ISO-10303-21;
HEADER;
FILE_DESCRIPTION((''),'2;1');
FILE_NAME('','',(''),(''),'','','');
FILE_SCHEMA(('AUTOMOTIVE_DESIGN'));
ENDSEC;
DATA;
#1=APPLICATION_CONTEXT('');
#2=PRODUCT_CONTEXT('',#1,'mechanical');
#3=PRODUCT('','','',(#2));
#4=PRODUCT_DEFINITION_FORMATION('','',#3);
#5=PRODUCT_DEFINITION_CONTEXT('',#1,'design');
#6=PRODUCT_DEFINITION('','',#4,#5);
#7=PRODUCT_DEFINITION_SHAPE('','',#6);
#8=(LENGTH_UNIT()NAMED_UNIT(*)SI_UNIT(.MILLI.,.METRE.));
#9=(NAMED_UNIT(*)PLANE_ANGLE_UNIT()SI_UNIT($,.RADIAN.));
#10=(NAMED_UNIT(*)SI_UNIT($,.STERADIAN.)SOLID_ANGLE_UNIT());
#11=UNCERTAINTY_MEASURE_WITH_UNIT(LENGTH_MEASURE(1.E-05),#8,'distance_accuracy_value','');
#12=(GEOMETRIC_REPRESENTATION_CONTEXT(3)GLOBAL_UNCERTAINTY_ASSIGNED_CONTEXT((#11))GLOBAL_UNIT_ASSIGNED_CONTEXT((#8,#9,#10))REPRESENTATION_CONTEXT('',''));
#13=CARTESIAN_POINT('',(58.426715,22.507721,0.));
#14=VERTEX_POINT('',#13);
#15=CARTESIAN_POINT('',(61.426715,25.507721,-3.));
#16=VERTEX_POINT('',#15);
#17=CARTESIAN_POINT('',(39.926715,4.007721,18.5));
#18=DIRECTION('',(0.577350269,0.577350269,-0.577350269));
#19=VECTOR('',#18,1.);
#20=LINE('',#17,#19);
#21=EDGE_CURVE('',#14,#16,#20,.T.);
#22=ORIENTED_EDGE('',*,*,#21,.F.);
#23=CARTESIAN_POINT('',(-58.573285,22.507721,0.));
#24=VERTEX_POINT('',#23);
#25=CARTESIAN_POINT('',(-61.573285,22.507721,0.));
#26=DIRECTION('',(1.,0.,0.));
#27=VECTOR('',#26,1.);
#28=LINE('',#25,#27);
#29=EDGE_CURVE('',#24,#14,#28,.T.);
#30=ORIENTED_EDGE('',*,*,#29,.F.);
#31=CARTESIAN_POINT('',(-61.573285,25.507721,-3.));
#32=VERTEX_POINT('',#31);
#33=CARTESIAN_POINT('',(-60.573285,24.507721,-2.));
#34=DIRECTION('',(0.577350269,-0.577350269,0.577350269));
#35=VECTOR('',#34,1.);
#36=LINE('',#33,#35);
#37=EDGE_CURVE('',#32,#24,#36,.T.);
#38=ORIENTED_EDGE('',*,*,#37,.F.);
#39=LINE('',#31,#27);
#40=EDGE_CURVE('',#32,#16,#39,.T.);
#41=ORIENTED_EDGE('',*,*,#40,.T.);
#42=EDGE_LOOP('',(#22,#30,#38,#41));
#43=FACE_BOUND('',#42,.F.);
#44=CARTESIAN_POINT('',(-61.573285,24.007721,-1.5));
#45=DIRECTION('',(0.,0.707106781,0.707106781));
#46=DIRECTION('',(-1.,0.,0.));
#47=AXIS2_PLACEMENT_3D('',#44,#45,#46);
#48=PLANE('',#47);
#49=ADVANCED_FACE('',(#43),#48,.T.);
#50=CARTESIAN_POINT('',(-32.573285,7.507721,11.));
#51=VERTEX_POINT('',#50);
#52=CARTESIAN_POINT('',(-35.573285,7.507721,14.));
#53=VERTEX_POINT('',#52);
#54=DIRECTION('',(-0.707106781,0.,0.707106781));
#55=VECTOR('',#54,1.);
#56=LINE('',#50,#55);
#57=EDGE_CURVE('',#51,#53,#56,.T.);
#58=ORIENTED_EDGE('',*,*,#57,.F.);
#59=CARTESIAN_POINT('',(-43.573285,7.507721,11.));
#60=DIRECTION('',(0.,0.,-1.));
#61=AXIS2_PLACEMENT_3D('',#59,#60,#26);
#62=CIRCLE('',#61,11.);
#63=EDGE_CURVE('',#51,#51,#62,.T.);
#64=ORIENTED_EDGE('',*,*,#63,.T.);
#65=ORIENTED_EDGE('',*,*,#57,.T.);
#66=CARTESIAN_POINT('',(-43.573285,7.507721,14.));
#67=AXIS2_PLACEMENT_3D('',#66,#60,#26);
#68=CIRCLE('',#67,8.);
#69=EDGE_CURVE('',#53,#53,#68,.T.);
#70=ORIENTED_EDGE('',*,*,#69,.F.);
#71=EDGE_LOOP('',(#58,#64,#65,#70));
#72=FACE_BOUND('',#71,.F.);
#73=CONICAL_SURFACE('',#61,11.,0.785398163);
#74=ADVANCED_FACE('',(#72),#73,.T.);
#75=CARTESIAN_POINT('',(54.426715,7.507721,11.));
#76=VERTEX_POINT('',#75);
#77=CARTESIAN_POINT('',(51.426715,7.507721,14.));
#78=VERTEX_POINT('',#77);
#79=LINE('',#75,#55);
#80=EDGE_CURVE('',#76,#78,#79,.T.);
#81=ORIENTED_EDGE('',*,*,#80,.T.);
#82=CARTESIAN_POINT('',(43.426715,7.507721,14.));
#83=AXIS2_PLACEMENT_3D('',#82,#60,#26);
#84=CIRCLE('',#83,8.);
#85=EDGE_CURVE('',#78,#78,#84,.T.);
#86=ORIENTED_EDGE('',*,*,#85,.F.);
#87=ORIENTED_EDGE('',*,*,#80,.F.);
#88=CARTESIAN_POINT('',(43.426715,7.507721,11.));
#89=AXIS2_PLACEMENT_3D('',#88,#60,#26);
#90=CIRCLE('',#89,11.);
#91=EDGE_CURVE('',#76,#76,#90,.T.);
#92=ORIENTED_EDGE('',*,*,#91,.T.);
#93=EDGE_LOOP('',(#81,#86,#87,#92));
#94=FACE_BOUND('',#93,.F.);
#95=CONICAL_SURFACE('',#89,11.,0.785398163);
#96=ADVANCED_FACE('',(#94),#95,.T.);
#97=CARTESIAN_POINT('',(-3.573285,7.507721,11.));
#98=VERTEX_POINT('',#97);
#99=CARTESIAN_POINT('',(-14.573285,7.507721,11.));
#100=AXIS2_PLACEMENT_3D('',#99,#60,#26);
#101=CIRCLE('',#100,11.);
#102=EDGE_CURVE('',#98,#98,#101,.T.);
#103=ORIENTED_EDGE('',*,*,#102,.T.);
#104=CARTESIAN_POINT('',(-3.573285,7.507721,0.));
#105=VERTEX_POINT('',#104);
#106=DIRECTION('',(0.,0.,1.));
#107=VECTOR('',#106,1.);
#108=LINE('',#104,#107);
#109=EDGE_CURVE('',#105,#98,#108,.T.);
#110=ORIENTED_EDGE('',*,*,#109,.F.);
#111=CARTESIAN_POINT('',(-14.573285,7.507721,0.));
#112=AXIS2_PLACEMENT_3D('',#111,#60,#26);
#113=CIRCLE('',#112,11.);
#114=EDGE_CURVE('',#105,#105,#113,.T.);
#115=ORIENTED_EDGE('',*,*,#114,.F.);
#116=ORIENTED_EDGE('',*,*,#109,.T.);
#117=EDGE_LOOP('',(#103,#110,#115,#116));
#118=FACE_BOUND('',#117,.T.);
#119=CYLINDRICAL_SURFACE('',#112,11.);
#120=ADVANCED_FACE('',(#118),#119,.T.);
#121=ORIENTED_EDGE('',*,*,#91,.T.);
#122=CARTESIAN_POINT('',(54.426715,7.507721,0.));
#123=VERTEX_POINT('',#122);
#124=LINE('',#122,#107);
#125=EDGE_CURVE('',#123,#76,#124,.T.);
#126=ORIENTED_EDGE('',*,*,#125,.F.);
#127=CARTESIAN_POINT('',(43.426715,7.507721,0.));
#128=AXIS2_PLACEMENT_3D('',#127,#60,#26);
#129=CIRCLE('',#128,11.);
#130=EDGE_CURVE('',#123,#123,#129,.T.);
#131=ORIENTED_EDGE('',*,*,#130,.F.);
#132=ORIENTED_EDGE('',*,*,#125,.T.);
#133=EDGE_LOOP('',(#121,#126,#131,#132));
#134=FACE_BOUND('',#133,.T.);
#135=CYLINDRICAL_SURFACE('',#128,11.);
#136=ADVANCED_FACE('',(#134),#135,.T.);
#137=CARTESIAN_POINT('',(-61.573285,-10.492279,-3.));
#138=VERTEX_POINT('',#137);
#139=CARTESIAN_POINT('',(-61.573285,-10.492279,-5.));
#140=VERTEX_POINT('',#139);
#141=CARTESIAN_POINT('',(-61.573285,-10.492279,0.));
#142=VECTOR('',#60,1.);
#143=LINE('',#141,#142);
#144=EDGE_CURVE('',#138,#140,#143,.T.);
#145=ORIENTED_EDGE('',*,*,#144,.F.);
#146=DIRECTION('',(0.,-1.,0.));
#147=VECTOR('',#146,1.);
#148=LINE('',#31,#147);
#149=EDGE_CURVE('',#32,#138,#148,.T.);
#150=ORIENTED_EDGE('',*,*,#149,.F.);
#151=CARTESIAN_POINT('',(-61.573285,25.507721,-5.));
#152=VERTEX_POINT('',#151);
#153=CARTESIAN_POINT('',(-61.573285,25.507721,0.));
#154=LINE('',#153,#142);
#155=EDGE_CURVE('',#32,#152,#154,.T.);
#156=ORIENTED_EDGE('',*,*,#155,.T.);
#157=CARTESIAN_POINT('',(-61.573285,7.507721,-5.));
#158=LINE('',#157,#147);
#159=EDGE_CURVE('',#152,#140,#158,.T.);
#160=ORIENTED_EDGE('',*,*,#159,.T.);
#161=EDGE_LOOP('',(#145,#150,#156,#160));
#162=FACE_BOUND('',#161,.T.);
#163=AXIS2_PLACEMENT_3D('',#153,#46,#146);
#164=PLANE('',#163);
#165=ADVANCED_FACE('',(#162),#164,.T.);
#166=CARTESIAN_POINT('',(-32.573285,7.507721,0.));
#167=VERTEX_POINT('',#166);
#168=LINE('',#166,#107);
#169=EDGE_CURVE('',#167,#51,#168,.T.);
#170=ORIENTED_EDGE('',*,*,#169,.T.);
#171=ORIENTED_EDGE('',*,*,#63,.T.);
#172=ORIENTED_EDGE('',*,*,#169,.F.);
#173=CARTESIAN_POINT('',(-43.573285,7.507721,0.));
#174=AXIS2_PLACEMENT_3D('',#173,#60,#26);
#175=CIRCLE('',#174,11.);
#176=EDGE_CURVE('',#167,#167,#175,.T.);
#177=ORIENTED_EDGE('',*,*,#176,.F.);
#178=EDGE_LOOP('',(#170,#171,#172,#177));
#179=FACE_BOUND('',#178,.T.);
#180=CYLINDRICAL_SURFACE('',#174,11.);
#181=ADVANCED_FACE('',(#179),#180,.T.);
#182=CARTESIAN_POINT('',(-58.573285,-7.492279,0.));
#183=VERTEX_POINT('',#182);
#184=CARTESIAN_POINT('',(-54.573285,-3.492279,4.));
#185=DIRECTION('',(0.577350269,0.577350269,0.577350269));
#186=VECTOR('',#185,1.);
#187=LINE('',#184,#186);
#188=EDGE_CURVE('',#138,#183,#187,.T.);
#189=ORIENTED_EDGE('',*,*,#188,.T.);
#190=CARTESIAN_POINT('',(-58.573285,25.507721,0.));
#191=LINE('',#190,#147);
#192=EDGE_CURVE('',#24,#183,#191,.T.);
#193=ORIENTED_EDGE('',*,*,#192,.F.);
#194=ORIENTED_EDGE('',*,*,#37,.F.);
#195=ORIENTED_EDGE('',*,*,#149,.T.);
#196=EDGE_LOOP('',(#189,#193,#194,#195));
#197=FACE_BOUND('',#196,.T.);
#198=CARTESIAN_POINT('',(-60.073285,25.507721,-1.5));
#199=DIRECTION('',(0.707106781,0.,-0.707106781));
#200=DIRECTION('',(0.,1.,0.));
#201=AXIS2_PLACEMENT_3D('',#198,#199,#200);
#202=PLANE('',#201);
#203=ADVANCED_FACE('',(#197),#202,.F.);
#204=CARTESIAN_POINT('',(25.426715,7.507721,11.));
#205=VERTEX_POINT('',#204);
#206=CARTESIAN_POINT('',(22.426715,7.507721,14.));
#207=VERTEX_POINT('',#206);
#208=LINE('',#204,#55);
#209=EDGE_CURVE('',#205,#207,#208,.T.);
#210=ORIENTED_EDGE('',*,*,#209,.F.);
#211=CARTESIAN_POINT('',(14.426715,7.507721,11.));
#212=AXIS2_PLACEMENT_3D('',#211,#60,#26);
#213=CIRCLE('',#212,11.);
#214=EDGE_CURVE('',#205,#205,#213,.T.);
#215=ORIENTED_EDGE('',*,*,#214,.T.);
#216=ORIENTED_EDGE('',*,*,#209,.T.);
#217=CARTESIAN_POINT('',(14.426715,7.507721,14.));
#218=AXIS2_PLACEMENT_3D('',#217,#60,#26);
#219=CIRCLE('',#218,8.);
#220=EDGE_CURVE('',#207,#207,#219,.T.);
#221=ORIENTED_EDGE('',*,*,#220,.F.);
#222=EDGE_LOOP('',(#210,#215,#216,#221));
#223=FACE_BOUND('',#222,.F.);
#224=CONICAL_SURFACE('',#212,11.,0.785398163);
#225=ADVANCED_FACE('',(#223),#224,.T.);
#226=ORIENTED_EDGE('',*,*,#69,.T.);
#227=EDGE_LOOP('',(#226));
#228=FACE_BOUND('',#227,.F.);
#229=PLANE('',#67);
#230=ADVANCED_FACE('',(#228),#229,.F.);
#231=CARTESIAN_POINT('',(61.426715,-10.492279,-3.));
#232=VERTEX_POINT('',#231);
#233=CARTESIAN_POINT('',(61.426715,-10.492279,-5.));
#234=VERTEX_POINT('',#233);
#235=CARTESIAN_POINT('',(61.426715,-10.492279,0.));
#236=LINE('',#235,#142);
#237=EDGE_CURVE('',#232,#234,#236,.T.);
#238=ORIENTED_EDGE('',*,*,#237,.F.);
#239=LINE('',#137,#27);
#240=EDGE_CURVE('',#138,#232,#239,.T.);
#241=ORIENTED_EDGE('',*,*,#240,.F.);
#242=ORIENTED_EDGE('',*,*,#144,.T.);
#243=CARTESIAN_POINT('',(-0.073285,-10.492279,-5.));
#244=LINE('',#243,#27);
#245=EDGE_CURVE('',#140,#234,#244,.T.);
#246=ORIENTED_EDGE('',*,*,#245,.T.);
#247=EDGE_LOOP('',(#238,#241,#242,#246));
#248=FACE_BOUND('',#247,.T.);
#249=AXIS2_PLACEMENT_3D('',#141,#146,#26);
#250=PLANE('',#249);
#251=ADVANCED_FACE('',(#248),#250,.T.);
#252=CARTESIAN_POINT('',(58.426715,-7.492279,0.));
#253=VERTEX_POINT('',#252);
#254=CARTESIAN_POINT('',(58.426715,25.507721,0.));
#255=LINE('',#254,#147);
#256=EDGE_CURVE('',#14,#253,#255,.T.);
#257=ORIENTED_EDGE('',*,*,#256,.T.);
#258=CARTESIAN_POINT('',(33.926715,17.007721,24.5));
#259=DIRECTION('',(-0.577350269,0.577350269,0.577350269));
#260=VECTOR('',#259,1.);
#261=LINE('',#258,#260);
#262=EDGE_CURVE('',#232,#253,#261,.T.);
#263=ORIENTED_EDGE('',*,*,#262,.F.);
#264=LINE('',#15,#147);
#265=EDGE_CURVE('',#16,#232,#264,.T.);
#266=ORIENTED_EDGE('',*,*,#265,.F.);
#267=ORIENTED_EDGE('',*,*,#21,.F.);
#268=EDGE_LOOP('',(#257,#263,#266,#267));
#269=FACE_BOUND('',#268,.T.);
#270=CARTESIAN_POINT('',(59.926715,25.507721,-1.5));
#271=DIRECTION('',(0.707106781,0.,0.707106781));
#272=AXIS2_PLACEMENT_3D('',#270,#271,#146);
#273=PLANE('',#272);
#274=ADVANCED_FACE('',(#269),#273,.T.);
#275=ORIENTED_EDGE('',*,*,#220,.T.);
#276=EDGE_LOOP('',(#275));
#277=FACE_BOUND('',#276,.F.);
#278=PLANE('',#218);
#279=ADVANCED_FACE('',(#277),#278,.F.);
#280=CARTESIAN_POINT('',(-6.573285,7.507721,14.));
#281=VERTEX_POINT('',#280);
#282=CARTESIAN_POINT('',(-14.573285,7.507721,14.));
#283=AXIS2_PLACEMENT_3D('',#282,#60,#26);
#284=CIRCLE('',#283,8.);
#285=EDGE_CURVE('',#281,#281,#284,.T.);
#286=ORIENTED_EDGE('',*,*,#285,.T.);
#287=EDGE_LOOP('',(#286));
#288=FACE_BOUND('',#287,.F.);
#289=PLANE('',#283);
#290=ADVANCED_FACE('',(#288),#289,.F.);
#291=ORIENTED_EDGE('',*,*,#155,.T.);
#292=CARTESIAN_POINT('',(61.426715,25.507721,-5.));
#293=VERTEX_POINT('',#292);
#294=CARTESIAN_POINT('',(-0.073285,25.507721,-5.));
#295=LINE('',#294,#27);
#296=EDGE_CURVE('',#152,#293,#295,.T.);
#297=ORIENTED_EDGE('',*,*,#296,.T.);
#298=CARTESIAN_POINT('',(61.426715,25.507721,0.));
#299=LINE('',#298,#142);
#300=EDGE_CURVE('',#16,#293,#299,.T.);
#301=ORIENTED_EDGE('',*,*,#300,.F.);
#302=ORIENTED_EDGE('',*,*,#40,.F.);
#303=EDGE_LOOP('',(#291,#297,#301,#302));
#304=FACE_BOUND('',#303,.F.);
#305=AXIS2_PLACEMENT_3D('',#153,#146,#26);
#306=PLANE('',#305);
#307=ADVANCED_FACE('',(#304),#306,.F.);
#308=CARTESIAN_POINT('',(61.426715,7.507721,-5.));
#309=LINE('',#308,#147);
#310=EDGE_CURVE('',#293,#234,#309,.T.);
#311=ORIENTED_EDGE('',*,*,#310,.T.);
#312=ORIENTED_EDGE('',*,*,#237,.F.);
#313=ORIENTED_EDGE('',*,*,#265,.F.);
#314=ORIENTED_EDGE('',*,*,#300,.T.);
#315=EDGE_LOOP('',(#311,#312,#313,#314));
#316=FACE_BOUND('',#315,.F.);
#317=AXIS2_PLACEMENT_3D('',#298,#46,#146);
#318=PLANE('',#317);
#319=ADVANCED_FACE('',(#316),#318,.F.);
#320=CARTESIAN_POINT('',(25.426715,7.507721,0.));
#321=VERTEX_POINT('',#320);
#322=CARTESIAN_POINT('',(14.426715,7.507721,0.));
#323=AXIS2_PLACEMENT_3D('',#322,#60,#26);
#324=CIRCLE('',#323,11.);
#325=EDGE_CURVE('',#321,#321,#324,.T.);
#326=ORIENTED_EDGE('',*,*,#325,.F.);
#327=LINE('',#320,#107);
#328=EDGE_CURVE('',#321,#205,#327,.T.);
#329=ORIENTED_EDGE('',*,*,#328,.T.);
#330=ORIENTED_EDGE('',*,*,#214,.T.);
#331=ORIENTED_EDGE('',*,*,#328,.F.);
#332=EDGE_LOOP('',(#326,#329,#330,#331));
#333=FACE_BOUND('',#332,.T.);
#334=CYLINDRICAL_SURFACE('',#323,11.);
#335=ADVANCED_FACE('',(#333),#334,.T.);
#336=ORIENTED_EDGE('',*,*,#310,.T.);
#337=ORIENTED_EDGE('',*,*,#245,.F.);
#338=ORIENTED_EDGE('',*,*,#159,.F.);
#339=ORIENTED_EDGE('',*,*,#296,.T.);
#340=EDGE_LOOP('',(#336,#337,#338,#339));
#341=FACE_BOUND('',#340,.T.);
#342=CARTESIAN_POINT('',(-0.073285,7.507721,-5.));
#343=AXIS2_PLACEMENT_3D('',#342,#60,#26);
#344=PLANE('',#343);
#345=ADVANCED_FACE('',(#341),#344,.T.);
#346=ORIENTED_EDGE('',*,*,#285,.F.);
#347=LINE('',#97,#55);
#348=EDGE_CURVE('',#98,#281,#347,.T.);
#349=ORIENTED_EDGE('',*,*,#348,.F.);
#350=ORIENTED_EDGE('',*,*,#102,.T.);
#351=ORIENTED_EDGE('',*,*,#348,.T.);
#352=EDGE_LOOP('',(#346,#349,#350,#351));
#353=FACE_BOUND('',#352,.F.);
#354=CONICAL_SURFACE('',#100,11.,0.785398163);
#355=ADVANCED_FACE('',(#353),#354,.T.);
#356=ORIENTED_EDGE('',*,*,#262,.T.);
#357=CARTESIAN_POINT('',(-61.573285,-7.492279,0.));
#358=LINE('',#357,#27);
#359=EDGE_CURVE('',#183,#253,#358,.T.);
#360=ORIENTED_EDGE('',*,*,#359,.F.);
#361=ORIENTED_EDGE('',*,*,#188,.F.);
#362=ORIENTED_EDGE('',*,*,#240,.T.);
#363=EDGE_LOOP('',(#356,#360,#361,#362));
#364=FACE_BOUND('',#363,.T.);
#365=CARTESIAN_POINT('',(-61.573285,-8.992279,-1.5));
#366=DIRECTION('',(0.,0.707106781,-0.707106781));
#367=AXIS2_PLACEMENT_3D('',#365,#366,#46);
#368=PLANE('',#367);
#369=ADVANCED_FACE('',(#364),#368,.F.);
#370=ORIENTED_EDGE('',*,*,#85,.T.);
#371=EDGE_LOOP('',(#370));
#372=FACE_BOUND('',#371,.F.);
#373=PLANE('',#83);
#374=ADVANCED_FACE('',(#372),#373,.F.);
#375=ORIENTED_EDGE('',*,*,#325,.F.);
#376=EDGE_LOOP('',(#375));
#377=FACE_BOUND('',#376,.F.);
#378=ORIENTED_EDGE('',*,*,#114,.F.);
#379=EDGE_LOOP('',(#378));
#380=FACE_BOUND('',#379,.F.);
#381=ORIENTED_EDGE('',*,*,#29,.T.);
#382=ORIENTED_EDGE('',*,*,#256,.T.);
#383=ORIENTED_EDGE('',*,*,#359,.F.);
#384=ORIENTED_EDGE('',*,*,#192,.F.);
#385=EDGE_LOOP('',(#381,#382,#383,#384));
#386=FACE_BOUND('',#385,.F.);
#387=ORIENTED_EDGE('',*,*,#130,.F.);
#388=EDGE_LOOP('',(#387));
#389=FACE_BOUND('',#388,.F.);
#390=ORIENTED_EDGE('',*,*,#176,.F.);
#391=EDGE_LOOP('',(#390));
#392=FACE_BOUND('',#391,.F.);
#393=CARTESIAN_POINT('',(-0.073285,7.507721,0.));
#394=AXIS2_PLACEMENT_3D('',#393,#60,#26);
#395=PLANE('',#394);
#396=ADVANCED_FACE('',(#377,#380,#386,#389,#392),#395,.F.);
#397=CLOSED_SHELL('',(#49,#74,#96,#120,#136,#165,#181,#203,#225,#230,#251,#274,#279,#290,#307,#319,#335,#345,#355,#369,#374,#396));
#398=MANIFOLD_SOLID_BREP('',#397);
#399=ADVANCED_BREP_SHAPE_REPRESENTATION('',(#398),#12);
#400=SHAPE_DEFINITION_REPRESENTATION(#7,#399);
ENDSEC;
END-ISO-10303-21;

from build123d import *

# Parameters (mm, degrees)
F0_W     = 123
F0_H     = 36
F0_R     = 11
F1_DEPTH = 5
F2_DEPTH = 14
F3_SIZE  = 3
F4_ANGLE = 180


with BuildPart() as f1:
    # F0 (on Top) → F1 (new body)
    with BuildSketch(Plane.XY):
        with Locations((-0.073285, 7.507721)):
            Rectangle(F0_W, F0_H)
        with Locations((-43.573285, 7.507721)):
            Circle(F0_R, mode=Mode.SUBTRACT)
        with Locations((-14.573285, 7.507721)):
            Circle(F0_R, mode=Mode.SUBTRACT)
        with Locations((14.426715, 7.507721)):
            Circle(F0_R, mode=Mode.SUBTRACT)
        with Locations((43.426715, 7.507721)):
            Circle(F0_R, mode=Mode.SUBTRACT)
        with Locations((-43.573285, 7.507721)):
            Circle(F0_R)
        with Locations((-14.573285, 7.507721)):
            Circle(F0_R)
        with Locations((14.426715, 7.507721)):
            Circle(F0_R)
        with Locations((43.426715, 7.507721)):
            Circle(F0_R)
    extrude(amount=F1_DEPTH)

    # F0 (on Top) → F2 (join)
    with BuildSketch(Plane.XY):
        with Locations((-43.573285, 7.507721)):
            Circle(F0_R)
        with Locations((-14.573285, 7.507721)):
            Circle(F0_R)
        with Locations((14.426715, 7.507721)):
            Circle(F0_R)
        with Locations((43.426715, 7.507721)):
            Circle(F0_R)
    extrude(amount=-F2_DEPTH)

    # F3
    f3_edges = [f1.edges().sort_by_distance(p)[0] for p in [
        (-0.073285, 25.507721, 0),
        (-61.573285, 7.507721, 0),
        (61.426715, 7.507721, 0),
        (-0.073285, -10.492279, 0),
        (32.426715, 7.507721, -14),
        (3.426715, 7.507721, -14),
        (-25.573285, 7.507721, -14),
        (-54.573285, 7.507721, -14),
    ]]
    chamfer(f3_edges, length=F3_SIZE)


with BuildPart() as f1_1:
    # F4: moved
    add(f1.part.rotate(Axis((-0.073285, 7.507721, 0), (1, 0, 0)), F4_ANGLE))


solid = f1_1.part
